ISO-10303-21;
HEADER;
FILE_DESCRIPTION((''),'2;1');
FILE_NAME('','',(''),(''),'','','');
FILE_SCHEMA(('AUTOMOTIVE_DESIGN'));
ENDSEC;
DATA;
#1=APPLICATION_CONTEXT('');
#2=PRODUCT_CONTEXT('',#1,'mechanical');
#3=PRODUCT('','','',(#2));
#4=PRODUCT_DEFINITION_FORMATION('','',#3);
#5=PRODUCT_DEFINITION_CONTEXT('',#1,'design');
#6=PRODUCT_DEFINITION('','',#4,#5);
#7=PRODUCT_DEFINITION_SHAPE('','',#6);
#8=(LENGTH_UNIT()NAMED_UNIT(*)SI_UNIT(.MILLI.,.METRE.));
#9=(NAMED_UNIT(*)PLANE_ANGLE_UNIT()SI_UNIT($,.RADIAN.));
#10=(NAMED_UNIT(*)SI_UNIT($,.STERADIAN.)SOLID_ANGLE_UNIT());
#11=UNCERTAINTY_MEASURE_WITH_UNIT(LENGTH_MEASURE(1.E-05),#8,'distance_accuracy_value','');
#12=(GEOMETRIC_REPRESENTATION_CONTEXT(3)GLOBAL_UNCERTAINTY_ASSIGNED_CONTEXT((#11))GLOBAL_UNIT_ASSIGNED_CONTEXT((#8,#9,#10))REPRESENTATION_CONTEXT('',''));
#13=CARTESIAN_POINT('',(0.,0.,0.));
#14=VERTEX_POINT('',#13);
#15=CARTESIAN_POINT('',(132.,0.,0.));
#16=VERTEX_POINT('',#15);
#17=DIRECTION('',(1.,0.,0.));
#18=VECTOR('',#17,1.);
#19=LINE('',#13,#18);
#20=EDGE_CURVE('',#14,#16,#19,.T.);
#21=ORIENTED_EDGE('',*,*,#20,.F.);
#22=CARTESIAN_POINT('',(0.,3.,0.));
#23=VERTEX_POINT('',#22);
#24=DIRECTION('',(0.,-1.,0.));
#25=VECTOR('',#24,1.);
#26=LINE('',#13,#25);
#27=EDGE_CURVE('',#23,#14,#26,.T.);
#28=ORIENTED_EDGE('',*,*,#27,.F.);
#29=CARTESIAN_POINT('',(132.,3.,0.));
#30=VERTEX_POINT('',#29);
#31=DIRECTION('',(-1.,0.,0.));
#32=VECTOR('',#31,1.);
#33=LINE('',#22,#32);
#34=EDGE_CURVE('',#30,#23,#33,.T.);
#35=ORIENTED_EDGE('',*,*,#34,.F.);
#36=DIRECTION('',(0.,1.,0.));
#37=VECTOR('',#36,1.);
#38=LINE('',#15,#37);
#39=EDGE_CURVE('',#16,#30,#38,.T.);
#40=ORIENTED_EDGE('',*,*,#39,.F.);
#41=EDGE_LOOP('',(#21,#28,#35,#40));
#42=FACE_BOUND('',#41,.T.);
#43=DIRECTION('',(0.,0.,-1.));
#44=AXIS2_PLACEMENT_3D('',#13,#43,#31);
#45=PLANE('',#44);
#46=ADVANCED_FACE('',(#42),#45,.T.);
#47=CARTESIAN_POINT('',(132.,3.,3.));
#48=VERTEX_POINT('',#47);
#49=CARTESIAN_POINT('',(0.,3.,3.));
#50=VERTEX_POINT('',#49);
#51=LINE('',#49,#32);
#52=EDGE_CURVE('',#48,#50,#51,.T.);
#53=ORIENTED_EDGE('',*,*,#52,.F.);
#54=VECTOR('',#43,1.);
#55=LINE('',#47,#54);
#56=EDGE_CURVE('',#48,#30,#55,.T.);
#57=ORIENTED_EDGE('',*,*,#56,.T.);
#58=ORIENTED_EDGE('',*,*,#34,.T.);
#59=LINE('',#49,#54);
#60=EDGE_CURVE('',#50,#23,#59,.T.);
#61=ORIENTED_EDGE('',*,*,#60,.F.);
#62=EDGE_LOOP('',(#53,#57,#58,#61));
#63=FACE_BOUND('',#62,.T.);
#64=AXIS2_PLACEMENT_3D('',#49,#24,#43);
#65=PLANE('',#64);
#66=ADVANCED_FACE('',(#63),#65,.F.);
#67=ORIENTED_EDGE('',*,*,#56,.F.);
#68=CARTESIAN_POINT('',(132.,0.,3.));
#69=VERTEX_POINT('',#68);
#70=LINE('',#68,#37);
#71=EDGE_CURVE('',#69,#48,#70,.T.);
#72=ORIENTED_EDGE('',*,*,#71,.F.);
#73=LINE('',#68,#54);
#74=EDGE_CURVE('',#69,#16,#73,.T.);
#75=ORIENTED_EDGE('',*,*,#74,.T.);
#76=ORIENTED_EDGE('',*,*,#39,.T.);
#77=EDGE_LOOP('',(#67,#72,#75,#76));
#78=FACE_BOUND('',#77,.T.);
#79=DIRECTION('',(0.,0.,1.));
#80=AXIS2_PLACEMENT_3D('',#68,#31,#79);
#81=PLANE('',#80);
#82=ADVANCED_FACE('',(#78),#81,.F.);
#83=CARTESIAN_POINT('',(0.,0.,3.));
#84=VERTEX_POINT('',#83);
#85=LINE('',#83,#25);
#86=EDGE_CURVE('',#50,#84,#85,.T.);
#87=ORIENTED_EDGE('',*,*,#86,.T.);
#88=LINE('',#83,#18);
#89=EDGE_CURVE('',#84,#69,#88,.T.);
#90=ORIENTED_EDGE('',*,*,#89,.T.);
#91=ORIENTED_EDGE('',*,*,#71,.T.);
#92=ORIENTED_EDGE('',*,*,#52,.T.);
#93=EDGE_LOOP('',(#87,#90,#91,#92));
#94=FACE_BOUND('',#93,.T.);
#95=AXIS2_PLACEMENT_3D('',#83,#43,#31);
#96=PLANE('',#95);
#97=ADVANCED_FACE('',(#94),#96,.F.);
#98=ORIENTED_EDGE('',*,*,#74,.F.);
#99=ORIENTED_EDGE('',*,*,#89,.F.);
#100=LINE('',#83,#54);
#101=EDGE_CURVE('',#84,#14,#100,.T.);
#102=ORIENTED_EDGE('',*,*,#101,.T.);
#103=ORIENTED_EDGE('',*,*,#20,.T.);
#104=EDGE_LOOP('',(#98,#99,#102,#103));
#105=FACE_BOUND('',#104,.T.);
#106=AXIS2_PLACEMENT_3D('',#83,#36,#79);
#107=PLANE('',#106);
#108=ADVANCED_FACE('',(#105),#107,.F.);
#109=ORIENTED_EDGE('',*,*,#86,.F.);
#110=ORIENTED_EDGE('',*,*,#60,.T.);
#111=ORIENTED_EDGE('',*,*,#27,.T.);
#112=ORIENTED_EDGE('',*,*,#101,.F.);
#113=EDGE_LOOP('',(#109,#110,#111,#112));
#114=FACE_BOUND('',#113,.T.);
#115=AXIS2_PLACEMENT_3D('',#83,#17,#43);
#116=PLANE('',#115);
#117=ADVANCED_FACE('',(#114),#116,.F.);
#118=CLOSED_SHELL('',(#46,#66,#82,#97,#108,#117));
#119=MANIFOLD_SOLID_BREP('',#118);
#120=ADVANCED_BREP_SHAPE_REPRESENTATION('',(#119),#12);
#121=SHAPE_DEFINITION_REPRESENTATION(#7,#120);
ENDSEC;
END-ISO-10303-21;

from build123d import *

# Parameters (mm, degrees)
SKETCH1_W     = 132
SKETCH1_H     = 3
PROFILE_DEPTH = 3


with BuildPart() as part:
    # Sketch1 → Profile (new body)
    with BuildSketch(Plane.XY):
        with Locations((66, 1.5)):
            Rectangle(SKETCH1_W, SKETCH1_H)
    extrude(amount=PROFILE_DEPTH)


solid = part.part
